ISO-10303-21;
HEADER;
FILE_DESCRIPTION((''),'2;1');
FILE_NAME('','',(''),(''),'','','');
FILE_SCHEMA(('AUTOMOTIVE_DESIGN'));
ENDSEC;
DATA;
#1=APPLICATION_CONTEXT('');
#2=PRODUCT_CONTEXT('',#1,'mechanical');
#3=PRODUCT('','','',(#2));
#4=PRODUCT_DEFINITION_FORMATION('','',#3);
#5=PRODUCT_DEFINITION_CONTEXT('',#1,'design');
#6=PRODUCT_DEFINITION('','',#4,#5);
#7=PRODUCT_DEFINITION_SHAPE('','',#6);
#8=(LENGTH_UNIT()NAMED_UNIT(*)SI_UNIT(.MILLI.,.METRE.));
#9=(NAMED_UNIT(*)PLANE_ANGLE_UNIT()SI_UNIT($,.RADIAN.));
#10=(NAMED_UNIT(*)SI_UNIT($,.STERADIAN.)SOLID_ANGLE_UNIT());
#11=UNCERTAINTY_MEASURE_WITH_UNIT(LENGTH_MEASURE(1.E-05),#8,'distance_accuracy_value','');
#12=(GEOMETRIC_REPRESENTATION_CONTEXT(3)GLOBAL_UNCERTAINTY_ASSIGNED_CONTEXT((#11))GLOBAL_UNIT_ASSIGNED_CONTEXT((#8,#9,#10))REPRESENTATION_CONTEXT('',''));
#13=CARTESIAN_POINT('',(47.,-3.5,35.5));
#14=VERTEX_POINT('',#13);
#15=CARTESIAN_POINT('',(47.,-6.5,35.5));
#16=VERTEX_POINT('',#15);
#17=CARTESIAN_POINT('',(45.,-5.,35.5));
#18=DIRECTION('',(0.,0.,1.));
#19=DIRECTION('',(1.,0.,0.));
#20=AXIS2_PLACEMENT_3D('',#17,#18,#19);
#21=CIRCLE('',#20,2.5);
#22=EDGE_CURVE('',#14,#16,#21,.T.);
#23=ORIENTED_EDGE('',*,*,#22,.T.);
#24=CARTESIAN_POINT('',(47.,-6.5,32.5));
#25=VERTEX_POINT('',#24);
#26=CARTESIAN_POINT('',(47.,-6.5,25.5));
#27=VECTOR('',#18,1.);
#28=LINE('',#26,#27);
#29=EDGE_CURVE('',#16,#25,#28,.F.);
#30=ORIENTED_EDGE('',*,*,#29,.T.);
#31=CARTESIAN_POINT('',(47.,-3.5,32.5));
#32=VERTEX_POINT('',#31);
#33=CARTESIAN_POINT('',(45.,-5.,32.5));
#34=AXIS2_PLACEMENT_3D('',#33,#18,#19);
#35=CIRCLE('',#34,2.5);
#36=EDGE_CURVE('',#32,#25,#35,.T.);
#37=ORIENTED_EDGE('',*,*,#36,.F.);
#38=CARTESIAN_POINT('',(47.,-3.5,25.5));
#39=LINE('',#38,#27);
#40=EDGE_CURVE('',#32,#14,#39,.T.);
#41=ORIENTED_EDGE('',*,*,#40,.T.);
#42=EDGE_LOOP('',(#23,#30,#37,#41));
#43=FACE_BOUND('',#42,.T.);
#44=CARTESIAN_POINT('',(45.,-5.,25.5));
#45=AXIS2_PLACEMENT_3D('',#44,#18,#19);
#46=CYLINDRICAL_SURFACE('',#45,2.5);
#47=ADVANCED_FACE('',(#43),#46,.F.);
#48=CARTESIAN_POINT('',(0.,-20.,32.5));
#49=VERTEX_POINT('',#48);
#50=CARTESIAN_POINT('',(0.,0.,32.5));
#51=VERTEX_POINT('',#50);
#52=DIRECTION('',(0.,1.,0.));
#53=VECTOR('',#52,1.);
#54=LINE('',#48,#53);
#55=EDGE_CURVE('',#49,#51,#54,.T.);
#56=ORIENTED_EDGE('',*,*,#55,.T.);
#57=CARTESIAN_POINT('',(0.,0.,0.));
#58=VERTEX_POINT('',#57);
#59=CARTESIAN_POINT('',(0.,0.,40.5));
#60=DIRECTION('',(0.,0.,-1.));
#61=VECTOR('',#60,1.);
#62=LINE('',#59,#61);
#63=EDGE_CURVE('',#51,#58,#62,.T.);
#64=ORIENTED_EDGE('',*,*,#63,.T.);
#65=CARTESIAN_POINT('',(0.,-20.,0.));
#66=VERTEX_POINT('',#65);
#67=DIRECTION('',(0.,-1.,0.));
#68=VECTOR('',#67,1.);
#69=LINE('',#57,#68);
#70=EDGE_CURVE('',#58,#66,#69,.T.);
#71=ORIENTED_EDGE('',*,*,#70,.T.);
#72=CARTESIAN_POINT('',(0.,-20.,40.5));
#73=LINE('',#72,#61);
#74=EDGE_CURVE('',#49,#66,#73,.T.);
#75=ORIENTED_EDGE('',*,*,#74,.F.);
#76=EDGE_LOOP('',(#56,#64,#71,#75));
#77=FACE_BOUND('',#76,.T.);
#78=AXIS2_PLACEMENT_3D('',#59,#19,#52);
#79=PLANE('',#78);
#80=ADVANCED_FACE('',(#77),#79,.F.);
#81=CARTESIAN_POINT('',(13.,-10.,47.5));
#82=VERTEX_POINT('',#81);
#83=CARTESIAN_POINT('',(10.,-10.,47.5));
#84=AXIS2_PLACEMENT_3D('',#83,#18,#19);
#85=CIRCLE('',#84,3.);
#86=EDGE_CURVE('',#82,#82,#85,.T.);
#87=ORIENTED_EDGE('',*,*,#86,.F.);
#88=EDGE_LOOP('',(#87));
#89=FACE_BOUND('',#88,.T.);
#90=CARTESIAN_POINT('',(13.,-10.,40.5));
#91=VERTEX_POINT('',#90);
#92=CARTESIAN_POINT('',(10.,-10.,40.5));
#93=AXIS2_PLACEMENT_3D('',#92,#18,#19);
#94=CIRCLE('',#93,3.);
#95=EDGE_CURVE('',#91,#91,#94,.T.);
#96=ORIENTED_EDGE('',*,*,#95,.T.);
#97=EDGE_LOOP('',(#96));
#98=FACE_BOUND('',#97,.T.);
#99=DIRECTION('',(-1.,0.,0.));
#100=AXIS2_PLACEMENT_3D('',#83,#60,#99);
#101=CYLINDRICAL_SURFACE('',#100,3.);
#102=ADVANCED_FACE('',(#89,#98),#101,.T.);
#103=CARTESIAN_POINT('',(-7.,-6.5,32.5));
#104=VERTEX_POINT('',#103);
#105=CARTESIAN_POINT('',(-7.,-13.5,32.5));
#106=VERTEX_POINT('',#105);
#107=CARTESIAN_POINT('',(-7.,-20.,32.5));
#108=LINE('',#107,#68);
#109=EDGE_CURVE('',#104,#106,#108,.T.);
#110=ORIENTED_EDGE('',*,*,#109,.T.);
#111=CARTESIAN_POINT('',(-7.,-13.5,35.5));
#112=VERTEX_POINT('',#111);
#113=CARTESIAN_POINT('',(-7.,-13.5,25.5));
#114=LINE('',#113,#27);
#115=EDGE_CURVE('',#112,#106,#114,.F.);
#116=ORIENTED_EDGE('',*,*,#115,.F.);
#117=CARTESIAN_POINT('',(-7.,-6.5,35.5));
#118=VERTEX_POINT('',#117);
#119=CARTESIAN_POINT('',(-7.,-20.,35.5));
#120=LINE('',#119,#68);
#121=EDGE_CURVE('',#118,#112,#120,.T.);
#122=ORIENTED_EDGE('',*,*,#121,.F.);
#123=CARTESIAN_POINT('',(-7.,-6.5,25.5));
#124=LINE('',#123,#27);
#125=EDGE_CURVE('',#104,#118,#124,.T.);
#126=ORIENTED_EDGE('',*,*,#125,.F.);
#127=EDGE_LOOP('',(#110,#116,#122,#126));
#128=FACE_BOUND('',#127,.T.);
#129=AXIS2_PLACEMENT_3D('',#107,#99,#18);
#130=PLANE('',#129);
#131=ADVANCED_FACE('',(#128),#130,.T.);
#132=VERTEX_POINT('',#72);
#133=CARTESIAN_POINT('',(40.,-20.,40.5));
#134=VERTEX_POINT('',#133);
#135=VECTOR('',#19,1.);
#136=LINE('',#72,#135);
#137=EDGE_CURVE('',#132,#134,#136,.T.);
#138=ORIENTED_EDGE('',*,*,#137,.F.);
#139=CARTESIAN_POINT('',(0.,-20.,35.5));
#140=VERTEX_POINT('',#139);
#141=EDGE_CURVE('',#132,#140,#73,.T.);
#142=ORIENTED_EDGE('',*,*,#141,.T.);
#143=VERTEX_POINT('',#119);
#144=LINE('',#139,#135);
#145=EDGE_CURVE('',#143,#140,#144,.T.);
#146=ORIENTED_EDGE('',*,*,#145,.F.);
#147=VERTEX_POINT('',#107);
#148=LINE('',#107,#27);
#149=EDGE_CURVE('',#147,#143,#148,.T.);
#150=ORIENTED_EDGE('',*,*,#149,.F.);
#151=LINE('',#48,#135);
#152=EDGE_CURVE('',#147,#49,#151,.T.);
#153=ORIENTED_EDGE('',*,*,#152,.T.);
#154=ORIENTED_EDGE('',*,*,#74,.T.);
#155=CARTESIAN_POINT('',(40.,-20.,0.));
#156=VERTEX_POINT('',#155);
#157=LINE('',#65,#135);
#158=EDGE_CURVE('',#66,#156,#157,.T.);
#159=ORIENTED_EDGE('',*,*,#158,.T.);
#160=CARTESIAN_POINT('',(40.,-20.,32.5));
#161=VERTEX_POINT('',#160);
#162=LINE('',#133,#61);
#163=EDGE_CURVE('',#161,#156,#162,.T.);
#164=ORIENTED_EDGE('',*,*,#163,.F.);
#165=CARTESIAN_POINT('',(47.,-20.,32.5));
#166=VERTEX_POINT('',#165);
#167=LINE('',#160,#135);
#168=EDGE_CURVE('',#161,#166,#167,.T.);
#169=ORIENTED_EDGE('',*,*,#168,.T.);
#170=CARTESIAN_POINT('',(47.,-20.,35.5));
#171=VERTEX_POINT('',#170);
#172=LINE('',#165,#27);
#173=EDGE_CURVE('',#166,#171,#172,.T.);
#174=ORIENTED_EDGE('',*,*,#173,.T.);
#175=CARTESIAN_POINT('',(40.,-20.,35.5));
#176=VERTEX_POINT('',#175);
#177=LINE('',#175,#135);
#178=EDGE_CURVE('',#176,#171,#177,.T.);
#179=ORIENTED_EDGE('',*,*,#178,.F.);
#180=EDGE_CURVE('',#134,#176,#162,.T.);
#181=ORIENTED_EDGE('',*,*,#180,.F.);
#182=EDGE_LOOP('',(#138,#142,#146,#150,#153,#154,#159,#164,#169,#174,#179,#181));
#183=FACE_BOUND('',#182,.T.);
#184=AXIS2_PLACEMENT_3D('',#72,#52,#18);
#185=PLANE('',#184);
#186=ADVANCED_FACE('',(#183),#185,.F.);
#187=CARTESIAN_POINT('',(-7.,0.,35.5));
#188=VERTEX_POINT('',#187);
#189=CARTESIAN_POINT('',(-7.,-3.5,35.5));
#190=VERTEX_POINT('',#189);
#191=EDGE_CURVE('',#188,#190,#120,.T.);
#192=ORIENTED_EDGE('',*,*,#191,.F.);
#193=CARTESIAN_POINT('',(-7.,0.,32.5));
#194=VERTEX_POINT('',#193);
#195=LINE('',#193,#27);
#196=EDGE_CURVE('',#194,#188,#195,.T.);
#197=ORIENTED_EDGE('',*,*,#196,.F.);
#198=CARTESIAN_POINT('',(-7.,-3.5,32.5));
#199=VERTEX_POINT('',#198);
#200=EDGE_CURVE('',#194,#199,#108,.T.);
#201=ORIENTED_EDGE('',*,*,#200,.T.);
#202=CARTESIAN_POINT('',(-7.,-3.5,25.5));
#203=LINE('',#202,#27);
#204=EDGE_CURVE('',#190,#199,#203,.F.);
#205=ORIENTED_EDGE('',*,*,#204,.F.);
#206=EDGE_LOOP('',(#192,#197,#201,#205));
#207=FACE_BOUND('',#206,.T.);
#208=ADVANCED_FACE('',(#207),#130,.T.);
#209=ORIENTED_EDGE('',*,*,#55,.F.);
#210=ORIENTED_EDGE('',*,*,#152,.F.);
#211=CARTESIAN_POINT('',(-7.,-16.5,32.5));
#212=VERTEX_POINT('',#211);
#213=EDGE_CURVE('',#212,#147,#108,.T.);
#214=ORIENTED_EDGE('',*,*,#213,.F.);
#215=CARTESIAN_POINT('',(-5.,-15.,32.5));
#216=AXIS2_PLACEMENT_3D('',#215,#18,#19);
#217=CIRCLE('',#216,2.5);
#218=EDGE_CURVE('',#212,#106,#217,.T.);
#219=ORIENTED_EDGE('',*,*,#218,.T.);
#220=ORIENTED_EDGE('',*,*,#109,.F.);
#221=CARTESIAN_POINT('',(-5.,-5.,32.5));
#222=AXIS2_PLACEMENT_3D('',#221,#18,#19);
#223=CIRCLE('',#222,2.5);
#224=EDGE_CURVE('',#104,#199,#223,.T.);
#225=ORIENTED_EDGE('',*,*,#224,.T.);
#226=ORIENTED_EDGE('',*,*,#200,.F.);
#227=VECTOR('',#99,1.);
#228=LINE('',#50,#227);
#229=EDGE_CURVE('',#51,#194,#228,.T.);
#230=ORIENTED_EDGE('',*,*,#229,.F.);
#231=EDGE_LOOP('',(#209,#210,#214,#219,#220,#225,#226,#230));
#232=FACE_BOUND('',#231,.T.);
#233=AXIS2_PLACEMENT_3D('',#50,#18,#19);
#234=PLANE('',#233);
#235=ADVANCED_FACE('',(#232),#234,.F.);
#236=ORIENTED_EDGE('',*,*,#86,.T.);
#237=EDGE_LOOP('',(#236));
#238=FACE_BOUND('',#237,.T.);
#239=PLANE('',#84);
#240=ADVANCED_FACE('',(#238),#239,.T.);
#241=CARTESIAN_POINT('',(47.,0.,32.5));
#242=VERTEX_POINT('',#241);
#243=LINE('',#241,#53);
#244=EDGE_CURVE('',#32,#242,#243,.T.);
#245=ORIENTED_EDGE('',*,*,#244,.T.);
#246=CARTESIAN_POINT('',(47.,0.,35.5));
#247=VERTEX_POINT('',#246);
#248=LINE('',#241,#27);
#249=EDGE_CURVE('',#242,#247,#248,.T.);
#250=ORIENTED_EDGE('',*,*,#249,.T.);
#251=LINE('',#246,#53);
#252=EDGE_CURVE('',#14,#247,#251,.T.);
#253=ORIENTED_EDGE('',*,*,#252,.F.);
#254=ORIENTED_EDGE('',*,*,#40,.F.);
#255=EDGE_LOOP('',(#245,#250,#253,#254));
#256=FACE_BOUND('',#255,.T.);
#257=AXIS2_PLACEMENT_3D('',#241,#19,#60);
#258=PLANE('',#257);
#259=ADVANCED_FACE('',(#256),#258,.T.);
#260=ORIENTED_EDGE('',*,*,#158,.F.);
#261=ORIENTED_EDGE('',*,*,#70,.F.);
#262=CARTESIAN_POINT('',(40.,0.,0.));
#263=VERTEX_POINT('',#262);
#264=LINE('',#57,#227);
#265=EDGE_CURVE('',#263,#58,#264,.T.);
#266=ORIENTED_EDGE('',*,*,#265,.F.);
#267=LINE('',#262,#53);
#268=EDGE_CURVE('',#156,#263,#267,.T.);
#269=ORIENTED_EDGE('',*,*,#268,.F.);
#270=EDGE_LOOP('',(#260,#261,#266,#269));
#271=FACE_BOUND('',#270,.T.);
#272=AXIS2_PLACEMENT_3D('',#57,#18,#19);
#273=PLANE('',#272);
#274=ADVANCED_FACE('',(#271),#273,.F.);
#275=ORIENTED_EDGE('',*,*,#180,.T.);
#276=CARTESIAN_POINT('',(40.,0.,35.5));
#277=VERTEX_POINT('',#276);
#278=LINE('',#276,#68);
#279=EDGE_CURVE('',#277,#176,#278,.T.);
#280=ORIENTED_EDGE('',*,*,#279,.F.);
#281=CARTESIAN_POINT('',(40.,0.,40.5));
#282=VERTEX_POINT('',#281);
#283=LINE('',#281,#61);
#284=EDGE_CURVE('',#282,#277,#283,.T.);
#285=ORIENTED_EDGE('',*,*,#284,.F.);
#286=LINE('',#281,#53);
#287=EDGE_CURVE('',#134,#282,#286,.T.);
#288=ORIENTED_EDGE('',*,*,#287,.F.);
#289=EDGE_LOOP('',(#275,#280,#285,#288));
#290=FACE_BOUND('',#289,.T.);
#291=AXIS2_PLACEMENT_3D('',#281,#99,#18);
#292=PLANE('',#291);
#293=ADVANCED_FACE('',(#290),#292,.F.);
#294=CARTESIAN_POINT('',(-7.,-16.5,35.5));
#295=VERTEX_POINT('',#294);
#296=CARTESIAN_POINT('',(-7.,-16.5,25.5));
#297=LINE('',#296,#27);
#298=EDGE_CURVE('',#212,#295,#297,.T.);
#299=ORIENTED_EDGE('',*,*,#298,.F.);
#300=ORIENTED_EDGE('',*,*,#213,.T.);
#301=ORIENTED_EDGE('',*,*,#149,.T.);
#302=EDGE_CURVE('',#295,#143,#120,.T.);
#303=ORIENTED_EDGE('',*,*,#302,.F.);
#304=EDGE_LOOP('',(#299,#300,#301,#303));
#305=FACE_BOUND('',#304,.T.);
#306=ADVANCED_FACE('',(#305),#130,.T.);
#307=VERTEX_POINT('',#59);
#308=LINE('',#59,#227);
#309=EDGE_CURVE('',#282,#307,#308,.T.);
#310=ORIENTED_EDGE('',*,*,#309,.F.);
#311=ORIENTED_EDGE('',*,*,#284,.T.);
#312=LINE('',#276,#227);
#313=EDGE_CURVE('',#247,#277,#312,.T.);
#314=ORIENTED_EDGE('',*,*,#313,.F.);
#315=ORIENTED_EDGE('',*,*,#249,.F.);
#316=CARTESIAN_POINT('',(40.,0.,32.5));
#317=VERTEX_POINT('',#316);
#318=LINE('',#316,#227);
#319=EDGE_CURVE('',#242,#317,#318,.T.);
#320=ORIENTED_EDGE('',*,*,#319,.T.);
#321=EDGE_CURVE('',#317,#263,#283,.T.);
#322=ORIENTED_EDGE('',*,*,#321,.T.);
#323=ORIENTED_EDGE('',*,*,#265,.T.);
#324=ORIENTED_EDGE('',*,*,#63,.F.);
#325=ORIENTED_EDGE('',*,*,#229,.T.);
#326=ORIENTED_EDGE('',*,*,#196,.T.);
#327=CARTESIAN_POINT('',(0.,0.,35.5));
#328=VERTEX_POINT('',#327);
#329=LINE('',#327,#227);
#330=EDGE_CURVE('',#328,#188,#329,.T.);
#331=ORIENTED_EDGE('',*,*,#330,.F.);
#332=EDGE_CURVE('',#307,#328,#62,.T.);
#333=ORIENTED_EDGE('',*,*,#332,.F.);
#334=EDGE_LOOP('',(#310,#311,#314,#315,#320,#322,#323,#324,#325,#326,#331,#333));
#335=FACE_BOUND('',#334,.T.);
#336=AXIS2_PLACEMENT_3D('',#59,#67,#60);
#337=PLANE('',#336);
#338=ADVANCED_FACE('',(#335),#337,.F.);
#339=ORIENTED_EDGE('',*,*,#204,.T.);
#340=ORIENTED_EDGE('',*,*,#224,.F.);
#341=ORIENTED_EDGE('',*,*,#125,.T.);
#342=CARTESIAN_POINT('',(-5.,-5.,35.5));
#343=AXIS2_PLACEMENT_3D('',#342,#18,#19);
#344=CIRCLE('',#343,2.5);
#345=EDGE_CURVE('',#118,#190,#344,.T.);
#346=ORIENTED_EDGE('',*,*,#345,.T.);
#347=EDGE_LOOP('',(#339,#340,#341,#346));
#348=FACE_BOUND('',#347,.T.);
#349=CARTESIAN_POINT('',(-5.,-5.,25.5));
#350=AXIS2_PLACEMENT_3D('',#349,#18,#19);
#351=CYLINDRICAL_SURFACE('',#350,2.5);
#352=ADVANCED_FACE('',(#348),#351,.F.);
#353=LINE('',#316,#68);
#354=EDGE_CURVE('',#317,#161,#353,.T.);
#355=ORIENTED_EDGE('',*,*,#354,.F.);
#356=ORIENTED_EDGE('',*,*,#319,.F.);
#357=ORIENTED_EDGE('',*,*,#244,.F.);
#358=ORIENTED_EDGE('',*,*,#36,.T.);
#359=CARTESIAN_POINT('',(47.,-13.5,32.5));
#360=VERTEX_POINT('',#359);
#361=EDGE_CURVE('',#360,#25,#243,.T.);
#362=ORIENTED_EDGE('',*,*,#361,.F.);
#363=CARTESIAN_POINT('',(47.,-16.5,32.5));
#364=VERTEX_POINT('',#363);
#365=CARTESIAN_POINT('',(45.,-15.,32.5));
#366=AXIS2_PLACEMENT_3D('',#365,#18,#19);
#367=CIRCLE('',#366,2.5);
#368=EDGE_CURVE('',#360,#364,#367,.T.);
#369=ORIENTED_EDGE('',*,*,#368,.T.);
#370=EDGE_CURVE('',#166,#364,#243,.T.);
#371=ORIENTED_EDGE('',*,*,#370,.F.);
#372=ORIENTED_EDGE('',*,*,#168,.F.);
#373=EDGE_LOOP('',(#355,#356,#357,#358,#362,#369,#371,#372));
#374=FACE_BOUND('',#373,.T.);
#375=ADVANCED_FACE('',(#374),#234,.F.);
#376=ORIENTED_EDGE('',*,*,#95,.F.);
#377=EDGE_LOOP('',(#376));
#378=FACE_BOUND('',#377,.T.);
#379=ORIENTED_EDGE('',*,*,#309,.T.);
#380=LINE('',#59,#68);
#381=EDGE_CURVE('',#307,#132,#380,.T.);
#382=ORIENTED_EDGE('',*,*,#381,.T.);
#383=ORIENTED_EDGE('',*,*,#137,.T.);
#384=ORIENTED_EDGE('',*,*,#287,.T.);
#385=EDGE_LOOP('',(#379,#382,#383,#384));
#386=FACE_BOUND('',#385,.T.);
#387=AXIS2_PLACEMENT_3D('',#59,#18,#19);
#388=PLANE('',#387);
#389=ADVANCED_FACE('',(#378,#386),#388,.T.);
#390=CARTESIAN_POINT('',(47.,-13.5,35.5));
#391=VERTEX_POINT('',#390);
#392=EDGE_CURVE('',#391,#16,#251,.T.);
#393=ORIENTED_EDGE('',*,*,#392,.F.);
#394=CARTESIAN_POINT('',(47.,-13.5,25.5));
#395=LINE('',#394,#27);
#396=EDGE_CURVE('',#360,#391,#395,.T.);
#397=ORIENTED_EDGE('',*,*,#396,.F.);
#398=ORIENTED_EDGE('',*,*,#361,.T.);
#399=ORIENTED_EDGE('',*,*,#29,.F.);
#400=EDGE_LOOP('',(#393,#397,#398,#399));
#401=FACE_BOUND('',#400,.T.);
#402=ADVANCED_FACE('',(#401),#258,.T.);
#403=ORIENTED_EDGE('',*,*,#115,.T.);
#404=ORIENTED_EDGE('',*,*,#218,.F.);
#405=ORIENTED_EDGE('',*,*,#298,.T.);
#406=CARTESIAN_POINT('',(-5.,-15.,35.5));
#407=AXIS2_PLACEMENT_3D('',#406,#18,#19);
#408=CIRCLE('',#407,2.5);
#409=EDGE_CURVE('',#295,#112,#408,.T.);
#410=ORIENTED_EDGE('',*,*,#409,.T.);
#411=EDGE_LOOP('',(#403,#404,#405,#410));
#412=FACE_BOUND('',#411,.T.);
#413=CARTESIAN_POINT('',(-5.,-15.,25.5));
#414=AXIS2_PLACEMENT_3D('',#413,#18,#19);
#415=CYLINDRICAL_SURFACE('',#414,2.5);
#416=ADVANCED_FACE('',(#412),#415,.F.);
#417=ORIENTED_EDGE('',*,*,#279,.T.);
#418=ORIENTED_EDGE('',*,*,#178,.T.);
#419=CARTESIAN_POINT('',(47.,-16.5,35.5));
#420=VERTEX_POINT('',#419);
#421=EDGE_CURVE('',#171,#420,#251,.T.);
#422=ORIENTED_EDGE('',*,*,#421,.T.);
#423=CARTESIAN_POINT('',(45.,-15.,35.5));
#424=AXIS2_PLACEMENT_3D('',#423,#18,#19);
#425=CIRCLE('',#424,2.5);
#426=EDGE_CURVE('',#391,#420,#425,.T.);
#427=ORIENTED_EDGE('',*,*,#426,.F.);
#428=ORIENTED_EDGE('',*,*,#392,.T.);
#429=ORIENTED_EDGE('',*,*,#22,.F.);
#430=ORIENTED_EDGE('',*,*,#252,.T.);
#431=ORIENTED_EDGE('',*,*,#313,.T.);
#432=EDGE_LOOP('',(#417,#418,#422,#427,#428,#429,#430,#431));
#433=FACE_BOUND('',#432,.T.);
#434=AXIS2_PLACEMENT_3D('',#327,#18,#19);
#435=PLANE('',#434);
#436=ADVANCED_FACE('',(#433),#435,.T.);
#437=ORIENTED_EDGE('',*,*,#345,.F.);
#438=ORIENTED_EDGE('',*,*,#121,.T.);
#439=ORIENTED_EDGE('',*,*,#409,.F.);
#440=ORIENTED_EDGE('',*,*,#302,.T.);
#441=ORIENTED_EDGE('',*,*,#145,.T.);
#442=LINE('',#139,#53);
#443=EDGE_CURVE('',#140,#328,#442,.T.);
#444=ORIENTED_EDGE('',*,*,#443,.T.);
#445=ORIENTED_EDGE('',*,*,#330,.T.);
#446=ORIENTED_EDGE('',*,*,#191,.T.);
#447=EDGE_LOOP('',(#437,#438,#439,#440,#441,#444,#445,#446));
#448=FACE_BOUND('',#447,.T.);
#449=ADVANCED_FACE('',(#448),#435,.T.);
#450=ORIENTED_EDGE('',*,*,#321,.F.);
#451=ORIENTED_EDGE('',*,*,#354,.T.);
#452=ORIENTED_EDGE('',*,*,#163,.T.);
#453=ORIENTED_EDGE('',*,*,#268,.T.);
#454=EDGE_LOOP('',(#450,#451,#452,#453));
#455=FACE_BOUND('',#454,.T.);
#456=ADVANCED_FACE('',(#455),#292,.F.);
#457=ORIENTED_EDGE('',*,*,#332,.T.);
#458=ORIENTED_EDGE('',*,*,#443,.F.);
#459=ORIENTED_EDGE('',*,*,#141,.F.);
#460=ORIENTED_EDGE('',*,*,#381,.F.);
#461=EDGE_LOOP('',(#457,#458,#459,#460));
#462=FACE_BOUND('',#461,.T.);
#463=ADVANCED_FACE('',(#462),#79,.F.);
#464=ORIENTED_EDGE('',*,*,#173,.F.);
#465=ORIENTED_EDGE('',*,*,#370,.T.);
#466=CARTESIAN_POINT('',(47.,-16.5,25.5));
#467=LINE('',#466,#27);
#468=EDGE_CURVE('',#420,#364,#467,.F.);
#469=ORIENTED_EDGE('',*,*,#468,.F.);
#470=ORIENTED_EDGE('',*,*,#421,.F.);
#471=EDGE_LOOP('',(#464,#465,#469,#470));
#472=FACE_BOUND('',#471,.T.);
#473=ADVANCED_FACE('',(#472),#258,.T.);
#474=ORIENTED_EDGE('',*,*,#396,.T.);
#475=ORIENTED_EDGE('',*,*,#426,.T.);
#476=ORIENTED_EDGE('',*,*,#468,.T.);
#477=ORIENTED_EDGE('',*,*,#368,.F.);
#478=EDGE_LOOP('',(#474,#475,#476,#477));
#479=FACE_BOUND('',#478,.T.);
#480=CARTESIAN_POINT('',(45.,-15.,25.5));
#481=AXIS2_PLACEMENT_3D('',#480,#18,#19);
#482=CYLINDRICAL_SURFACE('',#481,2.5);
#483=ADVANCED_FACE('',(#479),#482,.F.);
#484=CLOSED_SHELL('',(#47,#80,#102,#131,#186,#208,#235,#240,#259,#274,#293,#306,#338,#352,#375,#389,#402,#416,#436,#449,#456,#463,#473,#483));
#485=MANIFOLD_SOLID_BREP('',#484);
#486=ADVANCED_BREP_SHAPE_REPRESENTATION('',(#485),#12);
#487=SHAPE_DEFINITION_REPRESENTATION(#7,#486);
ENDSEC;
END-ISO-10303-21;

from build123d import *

# Parameters (mm, degrees)
SKETCH_1_W          = 40
SKETCH_1_H          = 20
EXTRUDE_1_DEPTH     = 40.5
SKETCH_2_R          = 3
EXTRUDE_2_DEPTH     = 7
EXTRUDE_START       = -5
SKETCH_3_W          = 7
SKETCH_3_H          = 20
EXTRUDE_3_DEPTH     = 3
SKETCH_4_R          = 2.5
CUT_EXTRUDE_1_DEPTH = 10


with BuildPart() as part:
    # 草图1 → 凸台-拉伸1 (new body)
    with BuildSketch(Plane.XY):
        with Locations((20, -10)):
            Rectangle(SKETCH_1_W, SKETCH_1_H)
    extrude(amount=EXTRUDE_1_DEPTH)

    # 草图2 → 凸台-拉伸2 (add)
    with BuildSketch(Plane.XY.offset(40.5)):
        with Locations((10, -10)):
            Circle(SKETCH_2_R)
    extrude(amount=EXTRUDE_2_DEPTH)

    # 草图3 → 凸台-拉伸3 (add)
    with BuildSketch(Plane.XY.offset(40.5).offset(EXTRUDE_START)):
        with Locations((43.5, -10)):
            Rectangle(SKETCH_3_W, SKETCH_3_H)
        with Locations((-3.5, -10)):
            Rectangle(SKETCH_3_W, SKETCH_3_H)
    extrude(amount=-EXTRUDE_3_DEPTH)

    # 草图4 → 切除-拉伸1 (cut)
    with BuildSketch(Plane.XY.offset(35.5)):
        with Locations((-5, -5)):
            Circle(SKETCH_4_R)
        with Locations((45, -5)):
            Circle(SKETCH_4_R)
        with Locations((-5, -15)):
            Circle(SKETCH_4_R)
        with Locations((45, -15)):
            Circle(SKETCH_4_R)
    extrude(amount=-CUT_EXTRUDE_1_DEPTH, mode=Mode.SUBTRACT)


solid = part.part
